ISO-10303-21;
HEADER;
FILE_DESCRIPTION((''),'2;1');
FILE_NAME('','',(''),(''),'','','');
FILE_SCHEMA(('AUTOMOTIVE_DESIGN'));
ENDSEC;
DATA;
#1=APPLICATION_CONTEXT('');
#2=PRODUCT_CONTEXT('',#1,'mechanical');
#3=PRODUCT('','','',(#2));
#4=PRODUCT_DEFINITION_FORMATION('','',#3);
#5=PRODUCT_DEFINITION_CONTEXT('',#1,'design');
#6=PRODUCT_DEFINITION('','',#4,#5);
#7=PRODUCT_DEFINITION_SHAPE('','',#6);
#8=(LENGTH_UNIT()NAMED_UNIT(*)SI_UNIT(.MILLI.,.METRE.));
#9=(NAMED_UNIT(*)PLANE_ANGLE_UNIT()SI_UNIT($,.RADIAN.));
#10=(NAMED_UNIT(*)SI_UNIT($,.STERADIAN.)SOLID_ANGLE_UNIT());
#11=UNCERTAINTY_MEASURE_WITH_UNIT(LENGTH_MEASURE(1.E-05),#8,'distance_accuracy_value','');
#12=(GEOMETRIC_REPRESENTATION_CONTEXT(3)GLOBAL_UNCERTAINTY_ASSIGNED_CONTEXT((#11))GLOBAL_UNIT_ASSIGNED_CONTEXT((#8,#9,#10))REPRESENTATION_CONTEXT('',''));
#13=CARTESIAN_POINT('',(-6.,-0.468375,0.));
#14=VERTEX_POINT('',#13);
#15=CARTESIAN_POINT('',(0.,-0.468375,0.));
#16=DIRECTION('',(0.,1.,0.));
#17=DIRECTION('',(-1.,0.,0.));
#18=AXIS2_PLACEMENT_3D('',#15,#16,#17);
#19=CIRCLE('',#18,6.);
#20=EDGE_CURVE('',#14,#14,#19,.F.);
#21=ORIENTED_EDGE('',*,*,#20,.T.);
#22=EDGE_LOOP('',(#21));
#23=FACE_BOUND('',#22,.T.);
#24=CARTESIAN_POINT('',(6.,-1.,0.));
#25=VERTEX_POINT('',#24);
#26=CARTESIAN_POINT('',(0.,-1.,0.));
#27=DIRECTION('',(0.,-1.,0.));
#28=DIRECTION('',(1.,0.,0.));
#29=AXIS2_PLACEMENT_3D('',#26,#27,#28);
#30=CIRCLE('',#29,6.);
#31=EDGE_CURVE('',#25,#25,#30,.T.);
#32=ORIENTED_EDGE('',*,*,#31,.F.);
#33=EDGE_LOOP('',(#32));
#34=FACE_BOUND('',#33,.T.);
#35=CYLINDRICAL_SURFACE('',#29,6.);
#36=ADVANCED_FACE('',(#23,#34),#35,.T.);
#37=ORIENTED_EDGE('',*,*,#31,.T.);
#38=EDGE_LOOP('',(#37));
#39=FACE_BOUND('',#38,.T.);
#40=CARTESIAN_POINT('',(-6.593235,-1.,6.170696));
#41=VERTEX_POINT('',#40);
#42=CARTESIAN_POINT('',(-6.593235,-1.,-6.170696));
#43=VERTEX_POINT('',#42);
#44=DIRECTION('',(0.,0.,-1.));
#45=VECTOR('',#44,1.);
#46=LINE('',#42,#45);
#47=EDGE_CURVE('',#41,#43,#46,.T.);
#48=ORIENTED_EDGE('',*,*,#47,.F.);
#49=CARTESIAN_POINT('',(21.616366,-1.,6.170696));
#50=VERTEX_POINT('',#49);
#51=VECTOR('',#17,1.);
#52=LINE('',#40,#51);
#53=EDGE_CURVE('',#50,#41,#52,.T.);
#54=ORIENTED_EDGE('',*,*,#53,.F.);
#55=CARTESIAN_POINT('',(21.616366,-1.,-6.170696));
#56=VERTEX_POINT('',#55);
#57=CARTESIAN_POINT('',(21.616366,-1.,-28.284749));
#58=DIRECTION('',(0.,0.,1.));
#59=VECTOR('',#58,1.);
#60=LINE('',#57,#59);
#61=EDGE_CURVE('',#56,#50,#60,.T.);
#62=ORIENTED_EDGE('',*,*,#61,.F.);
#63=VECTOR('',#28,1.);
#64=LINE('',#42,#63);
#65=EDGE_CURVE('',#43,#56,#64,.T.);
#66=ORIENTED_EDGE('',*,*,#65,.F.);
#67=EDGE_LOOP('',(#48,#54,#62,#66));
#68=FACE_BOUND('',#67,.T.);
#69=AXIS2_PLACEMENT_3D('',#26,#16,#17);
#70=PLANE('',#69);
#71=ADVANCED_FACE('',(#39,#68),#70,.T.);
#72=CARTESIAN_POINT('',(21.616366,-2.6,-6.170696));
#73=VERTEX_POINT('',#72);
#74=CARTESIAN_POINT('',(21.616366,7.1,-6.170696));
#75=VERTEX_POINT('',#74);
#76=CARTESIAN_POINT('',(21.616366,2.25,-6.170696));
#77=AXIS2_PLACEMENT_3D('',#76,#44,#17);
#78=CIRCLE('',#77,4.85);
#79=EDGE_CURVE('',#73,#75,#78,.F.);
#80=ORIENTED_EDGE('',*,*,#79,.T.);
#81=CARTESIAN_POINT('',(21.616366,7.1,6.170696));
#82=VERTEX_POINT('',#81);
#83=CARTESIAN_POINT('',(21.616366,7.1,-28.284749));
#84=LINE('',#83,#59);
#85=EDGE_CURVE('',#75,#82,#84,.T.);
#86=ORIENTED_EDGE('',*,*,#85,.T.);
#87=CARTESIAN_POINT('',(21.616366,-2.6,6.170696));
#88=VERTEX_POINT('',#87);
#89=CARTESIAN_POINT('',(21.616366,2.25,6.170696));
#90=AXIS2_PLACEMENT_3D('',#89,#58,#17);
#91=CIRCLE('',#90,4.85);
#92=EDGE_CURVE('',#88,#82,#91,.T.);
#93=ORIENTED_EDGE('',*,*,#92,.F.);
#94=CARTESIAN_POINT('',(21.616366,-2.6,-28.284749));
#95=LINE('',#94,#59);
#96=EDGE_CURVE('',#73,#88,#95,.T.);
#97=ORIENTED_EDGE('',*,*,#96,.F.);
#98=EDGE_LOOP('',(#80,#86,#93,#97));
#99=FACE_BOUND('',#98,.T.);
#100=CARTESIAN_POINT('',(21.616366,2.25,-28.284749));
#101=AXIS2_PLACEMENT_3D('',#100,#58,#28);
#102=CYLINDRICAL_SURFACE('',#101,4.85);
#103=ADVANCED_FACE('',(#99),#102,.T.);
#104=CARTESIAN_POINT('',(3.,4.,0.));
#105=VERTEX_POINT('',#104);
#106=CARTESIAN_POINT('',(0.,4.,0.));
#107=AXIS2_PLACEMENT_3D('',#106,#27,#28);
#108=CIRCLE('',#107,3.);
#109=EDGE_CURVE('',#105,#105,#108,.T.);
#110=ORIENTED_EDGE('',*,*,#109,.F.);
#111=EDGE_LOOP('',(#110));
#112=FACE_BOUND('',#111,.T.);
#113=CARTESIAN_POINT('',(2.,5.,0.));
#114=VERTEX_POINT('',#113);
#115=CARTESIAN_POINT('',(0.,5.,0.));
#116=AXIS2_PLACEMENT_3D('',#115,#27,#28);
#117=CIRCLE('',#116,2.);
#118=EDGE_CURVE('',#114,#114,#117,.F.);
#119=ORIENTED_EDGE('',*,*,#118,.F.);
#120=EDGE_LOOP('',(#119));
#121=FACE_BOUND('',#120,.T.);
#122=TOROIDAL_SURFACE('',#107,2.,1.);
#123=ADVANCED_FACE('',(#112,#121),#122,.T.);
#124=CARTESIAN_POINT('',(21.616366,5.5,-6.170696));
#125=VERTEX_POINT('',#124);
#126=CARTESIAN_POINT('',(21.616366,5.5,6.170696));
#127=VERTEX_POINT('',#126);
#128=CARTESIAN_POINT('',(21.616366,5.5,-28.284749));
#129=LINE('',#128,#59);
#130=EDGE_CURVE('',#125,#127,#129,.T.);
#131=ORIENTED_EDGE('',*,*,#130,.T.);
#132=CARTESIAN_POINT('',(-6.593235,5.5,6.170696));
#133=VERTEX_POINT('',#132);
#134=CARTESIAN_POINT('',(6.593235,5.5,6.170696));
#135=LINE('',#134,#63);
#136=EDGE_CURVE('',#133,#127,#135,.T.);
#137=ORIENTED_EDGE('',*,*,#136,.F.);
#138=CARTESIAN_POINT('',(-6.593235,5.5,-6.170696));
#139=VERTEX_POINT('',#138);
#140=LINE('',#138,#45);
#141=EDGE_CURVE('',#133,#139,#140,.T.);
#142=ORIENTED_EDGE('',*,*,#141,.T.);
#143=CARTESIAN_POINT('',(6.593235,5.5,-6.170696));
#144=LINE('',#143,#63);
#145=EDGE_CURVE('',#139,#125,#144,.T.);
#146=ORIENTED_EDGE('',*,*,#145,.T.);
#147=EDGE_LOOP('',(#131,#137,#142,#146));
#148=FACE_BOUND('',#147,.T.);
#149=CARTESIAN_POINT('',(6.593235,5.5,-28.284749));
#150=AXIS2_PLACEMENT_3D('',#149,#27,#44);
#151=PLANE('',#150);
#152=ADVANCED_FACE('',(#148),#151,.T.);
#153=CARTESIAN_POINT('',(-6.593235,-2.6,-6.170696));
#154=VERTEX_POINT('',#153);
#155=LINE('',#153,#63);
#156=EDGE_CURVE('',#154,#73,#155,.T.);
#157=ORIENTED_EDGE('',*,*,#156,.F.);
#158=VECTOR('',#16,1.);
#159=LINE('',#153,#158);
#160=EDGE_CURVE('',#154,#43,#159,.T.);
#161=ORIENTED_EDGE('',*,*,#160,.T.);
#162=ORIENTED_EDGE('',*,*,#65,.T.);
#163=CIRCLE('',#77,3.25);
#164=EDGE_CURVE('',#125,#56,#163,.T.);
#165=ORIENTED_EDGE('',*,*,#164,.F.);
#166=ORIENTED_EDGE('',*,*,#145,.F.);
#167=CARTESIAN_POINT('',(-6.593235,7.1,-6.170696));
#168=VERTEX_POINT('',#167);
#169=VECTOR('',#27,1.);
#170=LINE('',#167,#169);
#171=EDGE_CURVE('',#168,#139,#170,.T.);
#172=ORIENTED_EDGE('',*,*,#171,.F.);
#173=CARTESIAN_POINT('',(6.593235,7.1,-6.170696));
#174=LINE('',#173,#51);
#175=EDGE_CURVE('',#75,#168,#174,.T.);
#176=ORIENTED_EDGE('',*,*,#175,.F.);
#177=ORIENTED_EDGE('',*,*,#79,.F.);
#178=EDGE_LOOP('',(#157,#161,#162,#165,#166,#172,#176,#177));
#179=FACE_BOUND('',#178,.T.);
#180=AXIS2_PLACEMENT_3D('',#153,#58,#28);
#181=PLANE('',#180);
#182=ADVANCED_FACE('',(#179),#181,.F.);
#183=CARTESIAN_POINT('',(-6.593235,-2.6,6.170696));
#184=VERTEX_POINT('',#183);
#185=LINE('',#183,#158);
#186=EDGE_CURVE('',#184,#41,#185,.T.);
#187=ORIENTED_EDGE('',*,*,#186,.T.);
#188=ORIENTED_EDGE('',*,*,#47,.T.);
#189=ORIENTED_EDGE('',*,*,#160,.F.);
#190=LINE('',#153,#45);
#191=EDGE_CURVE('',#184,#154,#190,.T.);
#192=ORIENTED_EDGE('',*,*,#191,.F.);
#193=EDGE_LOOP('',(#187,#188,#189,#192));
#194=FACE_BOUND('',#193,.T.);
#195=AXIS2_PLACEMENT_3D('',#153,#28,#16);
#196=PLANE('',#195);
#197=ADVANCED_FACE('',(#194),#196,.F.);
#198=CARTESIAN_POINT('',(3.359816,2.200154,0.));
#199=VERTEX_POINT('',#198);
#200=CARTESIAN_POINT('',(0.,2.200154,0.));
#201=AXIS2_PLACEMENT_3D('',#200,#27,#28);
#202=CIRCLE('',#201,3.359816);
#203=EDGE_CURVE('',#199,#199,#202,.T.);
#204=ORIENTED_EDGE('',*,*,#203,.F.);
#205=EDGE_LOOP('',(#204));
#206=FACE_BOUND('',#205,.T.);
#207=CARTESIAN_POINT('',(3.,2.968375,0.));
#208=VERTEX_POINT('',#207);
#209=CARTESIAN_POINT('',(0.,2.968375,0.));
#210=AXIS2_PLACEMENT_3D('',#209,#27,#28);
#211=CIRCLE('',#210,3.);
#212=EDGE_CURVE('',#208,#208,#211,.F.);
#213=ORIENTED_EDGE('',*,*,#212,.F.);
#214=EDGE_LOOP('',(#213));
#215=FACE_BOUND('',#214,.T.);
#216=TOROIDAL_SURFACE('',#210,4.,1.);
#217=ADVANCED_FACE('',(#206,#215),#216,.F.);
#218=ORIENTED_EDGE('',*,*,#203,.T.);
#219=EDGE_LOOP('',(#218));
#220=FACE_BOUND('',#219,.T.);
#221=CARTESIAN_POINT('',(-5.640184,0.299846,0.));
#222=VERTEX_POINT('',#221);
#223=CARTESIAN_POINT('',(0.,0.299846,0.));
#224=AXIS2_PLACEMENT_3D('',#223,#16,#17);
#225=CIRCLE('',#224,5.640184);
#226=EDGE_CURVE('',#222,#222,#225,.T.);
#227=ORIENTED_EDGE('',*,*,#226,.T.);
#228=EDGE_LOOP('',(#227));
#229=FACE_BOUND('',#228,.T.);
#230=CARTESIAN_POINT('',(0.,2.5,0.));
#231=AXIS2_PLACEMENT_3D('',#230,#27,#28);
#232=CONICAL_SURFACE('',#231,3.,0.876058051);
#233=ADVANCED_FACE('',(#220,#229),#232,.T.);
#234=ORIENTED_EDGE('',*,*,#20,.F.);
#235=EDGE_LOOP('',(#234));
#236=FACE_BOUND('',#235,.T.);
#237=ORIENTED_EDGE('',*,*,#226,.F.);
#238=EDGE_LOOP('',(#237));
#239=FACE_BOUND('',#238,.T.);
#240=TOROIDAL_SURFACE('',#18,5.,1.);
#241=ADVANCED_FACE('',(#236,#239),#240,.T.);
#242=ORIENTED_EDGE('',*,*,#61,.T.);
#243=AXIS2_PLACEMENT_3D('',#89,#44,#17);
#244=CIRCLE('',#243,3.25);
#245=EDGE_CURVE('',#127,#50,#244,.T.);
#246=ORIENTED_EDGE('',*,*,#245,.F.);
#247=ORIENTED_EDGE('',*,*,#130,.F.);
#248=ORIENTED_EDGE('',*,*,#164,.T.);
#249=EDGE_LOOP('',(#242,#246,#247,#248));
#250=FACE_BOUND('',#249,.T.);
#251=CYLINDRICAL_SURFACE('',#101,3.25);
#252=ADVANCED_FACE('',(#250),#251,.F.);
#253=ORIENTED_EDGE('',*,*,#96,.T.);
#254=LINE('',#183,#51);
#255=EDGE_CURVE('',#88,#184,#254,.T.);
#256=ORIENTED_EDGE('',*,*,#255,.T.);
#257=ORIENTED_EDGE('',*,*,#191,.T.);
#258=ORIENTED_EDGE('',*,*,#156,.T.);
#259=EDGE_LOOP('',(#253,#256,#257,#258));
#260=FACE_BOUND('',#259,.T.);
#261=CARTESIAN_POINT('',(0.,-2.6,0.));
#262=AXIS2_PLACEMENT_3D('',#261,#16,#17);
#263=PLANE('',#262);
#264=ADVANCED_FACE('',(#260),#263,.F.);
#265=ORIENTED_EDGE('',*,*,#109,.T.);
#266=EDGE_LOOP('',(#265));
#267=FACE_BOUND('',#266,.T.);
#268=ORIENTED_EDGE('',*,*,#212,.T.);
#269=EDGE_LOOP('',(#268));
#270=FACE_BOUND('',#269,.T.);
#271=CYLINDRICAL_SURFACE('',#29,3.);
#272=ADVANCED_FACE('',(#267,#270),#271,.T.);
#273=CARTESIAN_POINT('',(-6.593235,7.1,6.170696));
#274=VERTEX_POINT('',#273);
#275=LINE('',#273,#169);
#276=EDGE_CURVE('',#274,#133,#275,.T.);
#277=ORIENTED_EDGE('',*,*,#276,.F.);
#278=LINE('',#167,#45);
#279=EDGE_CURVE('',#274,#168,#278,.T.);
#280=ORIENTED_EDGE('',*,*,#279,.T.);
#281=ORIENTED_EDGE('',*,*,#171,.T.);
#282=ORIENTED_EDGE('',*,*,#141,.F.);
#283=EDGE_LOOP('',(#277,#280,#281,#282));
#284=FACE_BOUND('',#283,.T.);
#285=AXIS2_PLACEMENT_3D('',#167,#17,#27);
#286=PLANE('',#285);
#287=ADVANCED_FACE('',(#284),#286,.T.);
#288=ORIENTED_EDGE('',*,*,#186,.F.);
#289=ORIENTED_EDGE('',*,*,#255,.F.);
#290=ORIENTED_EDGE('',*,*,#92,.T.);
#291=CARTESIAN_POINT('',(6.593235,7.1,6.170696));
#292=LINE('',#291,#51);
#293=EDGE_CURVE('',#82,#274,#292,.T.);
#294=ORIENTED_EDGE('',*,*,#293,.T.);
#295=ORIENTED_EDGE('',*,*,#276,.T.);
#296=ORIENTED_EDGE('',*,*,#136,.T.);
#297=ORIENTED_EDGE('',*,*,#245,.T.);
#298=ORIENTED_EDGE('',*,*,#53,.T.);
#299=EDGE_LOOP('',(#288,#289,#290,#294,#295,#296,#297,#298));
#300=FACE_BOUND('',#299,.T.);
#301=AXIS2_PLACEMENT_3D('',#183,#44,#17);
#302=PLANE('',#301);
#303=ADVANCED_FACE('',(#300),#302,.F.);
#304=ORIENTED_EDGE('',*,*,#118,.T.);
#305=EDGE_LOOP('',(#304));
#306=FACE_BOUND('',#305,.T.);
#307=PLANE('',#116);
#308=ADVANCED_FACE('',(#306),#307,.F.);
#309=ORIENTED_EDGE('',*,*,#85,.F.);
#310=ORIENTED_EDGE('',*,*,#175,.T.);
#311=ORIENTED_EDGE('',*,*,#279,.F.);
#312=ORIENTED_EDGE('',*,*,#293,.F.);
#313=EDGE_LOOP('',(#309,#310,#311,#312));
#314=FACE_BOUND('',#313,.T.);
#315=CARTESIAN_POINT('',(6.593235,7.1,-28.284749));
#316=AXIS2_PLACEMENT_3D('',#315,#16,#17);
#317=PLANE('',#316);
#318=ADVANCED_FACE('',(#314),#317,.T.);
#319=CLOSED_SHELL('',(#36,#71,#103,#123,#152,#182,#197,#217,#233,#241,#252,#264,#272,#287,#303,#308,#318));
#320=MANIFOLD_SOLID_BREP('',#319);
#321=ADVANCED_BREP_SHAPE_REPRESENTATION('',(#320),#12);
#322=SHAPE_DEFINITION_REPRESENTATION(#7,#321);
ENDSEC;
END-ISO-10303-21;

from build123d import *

# Parameters (mm, degrees)
FILLET1_R           = 1
SKETCH2_W           = 13.18647025
SKETCH2_H           = 12.34139231
BOSS_EXTRUDE1_DEPTH = 1.6
BOSS_EXTRUDE2_START = -6.5
SKETCH2_2_W         = 13.18647025
SKETCH2_2_H         = 12.34139231
BOSS_EXTRUDE2_DEPTH = 1.6
BOSS_EXTRUDE3_DEPTH = 12.341392


with BuildPart() as part:
    # Sketch1 → Revolve1 (revolve)
    with BuildSketch(Plane.XY):
        Polygon((-3, 5), (-3, 2.5), (-6, 0), (-6, -1), (0, -1), (0, 5), align=None)
    revolve(axis=Axis((0, -1, 0), (0, 1, 0)))

    # Fillet1
    fillet1_edges = [part.edges().sort_by_distance(p)[0] for p in [
        (3, 5, 0),
        (6, 0, 0),
        (3, 2.5, 0),
    ]]
    fillet(fillet1_edges, radius=FILLET1_R)

    # Sketch2 → Boss-Extrude1 (add)
    with BuildSketch(Plane.XZ.offset(1)):
        Rectangle(SKETCH2_W, SKETCH2_H)
    extrude(amount=BOSS_EXTRUDE1_DEPTH)



with BuildPart() as body_2:
    # Sketch2<2> → Boss-Extrude2 (new body)
    with BuildSketch(Plane.XZ.offset(1).offset(BOSS_EXTRUDE2_START)):
        Rectangle(SKETCH2_2_W, SKETCH2_2_H)
    extrude(amount=-BOSS_EXTRUDE2_DEPTH)


with BuildPart() as part_1:
    add(part.part)

    add(body_2.part)  # Boss-Extrude3 merges body 2
    # Sketch4 → Boss-Extrude3 (add)
    with BuildSketch(Plane.XY.offset(6.170696155)):
        with BuildLine():
            Line((6.593235125, 5.5), (21.616366257, 5.5))
            ThreePointArc((21.616366257, 5.5), (24.866366257, 2.25), (21.616366257, -1))
            Line((21.616366257, -1), (6.593235125, -1))
            Line((6.593235125, -1), (6.593235125, -2.6))
            Line((6.593235125, -2.6), (21.616366257, -2.6))
            ThreePointArc((21.616366257, -2.6), (26.466366257, 2.25), (21.616366257, 7.1))
            Line((21.616366257, 7.1), (6.593235125, 7.1))
            Line((6.593235125, 7.1), (6.593235125, 5.5))
        make_face()
    extrude(amount=-BOSS_EXTRUDE3_DEPTH)


solid = part_1.part
